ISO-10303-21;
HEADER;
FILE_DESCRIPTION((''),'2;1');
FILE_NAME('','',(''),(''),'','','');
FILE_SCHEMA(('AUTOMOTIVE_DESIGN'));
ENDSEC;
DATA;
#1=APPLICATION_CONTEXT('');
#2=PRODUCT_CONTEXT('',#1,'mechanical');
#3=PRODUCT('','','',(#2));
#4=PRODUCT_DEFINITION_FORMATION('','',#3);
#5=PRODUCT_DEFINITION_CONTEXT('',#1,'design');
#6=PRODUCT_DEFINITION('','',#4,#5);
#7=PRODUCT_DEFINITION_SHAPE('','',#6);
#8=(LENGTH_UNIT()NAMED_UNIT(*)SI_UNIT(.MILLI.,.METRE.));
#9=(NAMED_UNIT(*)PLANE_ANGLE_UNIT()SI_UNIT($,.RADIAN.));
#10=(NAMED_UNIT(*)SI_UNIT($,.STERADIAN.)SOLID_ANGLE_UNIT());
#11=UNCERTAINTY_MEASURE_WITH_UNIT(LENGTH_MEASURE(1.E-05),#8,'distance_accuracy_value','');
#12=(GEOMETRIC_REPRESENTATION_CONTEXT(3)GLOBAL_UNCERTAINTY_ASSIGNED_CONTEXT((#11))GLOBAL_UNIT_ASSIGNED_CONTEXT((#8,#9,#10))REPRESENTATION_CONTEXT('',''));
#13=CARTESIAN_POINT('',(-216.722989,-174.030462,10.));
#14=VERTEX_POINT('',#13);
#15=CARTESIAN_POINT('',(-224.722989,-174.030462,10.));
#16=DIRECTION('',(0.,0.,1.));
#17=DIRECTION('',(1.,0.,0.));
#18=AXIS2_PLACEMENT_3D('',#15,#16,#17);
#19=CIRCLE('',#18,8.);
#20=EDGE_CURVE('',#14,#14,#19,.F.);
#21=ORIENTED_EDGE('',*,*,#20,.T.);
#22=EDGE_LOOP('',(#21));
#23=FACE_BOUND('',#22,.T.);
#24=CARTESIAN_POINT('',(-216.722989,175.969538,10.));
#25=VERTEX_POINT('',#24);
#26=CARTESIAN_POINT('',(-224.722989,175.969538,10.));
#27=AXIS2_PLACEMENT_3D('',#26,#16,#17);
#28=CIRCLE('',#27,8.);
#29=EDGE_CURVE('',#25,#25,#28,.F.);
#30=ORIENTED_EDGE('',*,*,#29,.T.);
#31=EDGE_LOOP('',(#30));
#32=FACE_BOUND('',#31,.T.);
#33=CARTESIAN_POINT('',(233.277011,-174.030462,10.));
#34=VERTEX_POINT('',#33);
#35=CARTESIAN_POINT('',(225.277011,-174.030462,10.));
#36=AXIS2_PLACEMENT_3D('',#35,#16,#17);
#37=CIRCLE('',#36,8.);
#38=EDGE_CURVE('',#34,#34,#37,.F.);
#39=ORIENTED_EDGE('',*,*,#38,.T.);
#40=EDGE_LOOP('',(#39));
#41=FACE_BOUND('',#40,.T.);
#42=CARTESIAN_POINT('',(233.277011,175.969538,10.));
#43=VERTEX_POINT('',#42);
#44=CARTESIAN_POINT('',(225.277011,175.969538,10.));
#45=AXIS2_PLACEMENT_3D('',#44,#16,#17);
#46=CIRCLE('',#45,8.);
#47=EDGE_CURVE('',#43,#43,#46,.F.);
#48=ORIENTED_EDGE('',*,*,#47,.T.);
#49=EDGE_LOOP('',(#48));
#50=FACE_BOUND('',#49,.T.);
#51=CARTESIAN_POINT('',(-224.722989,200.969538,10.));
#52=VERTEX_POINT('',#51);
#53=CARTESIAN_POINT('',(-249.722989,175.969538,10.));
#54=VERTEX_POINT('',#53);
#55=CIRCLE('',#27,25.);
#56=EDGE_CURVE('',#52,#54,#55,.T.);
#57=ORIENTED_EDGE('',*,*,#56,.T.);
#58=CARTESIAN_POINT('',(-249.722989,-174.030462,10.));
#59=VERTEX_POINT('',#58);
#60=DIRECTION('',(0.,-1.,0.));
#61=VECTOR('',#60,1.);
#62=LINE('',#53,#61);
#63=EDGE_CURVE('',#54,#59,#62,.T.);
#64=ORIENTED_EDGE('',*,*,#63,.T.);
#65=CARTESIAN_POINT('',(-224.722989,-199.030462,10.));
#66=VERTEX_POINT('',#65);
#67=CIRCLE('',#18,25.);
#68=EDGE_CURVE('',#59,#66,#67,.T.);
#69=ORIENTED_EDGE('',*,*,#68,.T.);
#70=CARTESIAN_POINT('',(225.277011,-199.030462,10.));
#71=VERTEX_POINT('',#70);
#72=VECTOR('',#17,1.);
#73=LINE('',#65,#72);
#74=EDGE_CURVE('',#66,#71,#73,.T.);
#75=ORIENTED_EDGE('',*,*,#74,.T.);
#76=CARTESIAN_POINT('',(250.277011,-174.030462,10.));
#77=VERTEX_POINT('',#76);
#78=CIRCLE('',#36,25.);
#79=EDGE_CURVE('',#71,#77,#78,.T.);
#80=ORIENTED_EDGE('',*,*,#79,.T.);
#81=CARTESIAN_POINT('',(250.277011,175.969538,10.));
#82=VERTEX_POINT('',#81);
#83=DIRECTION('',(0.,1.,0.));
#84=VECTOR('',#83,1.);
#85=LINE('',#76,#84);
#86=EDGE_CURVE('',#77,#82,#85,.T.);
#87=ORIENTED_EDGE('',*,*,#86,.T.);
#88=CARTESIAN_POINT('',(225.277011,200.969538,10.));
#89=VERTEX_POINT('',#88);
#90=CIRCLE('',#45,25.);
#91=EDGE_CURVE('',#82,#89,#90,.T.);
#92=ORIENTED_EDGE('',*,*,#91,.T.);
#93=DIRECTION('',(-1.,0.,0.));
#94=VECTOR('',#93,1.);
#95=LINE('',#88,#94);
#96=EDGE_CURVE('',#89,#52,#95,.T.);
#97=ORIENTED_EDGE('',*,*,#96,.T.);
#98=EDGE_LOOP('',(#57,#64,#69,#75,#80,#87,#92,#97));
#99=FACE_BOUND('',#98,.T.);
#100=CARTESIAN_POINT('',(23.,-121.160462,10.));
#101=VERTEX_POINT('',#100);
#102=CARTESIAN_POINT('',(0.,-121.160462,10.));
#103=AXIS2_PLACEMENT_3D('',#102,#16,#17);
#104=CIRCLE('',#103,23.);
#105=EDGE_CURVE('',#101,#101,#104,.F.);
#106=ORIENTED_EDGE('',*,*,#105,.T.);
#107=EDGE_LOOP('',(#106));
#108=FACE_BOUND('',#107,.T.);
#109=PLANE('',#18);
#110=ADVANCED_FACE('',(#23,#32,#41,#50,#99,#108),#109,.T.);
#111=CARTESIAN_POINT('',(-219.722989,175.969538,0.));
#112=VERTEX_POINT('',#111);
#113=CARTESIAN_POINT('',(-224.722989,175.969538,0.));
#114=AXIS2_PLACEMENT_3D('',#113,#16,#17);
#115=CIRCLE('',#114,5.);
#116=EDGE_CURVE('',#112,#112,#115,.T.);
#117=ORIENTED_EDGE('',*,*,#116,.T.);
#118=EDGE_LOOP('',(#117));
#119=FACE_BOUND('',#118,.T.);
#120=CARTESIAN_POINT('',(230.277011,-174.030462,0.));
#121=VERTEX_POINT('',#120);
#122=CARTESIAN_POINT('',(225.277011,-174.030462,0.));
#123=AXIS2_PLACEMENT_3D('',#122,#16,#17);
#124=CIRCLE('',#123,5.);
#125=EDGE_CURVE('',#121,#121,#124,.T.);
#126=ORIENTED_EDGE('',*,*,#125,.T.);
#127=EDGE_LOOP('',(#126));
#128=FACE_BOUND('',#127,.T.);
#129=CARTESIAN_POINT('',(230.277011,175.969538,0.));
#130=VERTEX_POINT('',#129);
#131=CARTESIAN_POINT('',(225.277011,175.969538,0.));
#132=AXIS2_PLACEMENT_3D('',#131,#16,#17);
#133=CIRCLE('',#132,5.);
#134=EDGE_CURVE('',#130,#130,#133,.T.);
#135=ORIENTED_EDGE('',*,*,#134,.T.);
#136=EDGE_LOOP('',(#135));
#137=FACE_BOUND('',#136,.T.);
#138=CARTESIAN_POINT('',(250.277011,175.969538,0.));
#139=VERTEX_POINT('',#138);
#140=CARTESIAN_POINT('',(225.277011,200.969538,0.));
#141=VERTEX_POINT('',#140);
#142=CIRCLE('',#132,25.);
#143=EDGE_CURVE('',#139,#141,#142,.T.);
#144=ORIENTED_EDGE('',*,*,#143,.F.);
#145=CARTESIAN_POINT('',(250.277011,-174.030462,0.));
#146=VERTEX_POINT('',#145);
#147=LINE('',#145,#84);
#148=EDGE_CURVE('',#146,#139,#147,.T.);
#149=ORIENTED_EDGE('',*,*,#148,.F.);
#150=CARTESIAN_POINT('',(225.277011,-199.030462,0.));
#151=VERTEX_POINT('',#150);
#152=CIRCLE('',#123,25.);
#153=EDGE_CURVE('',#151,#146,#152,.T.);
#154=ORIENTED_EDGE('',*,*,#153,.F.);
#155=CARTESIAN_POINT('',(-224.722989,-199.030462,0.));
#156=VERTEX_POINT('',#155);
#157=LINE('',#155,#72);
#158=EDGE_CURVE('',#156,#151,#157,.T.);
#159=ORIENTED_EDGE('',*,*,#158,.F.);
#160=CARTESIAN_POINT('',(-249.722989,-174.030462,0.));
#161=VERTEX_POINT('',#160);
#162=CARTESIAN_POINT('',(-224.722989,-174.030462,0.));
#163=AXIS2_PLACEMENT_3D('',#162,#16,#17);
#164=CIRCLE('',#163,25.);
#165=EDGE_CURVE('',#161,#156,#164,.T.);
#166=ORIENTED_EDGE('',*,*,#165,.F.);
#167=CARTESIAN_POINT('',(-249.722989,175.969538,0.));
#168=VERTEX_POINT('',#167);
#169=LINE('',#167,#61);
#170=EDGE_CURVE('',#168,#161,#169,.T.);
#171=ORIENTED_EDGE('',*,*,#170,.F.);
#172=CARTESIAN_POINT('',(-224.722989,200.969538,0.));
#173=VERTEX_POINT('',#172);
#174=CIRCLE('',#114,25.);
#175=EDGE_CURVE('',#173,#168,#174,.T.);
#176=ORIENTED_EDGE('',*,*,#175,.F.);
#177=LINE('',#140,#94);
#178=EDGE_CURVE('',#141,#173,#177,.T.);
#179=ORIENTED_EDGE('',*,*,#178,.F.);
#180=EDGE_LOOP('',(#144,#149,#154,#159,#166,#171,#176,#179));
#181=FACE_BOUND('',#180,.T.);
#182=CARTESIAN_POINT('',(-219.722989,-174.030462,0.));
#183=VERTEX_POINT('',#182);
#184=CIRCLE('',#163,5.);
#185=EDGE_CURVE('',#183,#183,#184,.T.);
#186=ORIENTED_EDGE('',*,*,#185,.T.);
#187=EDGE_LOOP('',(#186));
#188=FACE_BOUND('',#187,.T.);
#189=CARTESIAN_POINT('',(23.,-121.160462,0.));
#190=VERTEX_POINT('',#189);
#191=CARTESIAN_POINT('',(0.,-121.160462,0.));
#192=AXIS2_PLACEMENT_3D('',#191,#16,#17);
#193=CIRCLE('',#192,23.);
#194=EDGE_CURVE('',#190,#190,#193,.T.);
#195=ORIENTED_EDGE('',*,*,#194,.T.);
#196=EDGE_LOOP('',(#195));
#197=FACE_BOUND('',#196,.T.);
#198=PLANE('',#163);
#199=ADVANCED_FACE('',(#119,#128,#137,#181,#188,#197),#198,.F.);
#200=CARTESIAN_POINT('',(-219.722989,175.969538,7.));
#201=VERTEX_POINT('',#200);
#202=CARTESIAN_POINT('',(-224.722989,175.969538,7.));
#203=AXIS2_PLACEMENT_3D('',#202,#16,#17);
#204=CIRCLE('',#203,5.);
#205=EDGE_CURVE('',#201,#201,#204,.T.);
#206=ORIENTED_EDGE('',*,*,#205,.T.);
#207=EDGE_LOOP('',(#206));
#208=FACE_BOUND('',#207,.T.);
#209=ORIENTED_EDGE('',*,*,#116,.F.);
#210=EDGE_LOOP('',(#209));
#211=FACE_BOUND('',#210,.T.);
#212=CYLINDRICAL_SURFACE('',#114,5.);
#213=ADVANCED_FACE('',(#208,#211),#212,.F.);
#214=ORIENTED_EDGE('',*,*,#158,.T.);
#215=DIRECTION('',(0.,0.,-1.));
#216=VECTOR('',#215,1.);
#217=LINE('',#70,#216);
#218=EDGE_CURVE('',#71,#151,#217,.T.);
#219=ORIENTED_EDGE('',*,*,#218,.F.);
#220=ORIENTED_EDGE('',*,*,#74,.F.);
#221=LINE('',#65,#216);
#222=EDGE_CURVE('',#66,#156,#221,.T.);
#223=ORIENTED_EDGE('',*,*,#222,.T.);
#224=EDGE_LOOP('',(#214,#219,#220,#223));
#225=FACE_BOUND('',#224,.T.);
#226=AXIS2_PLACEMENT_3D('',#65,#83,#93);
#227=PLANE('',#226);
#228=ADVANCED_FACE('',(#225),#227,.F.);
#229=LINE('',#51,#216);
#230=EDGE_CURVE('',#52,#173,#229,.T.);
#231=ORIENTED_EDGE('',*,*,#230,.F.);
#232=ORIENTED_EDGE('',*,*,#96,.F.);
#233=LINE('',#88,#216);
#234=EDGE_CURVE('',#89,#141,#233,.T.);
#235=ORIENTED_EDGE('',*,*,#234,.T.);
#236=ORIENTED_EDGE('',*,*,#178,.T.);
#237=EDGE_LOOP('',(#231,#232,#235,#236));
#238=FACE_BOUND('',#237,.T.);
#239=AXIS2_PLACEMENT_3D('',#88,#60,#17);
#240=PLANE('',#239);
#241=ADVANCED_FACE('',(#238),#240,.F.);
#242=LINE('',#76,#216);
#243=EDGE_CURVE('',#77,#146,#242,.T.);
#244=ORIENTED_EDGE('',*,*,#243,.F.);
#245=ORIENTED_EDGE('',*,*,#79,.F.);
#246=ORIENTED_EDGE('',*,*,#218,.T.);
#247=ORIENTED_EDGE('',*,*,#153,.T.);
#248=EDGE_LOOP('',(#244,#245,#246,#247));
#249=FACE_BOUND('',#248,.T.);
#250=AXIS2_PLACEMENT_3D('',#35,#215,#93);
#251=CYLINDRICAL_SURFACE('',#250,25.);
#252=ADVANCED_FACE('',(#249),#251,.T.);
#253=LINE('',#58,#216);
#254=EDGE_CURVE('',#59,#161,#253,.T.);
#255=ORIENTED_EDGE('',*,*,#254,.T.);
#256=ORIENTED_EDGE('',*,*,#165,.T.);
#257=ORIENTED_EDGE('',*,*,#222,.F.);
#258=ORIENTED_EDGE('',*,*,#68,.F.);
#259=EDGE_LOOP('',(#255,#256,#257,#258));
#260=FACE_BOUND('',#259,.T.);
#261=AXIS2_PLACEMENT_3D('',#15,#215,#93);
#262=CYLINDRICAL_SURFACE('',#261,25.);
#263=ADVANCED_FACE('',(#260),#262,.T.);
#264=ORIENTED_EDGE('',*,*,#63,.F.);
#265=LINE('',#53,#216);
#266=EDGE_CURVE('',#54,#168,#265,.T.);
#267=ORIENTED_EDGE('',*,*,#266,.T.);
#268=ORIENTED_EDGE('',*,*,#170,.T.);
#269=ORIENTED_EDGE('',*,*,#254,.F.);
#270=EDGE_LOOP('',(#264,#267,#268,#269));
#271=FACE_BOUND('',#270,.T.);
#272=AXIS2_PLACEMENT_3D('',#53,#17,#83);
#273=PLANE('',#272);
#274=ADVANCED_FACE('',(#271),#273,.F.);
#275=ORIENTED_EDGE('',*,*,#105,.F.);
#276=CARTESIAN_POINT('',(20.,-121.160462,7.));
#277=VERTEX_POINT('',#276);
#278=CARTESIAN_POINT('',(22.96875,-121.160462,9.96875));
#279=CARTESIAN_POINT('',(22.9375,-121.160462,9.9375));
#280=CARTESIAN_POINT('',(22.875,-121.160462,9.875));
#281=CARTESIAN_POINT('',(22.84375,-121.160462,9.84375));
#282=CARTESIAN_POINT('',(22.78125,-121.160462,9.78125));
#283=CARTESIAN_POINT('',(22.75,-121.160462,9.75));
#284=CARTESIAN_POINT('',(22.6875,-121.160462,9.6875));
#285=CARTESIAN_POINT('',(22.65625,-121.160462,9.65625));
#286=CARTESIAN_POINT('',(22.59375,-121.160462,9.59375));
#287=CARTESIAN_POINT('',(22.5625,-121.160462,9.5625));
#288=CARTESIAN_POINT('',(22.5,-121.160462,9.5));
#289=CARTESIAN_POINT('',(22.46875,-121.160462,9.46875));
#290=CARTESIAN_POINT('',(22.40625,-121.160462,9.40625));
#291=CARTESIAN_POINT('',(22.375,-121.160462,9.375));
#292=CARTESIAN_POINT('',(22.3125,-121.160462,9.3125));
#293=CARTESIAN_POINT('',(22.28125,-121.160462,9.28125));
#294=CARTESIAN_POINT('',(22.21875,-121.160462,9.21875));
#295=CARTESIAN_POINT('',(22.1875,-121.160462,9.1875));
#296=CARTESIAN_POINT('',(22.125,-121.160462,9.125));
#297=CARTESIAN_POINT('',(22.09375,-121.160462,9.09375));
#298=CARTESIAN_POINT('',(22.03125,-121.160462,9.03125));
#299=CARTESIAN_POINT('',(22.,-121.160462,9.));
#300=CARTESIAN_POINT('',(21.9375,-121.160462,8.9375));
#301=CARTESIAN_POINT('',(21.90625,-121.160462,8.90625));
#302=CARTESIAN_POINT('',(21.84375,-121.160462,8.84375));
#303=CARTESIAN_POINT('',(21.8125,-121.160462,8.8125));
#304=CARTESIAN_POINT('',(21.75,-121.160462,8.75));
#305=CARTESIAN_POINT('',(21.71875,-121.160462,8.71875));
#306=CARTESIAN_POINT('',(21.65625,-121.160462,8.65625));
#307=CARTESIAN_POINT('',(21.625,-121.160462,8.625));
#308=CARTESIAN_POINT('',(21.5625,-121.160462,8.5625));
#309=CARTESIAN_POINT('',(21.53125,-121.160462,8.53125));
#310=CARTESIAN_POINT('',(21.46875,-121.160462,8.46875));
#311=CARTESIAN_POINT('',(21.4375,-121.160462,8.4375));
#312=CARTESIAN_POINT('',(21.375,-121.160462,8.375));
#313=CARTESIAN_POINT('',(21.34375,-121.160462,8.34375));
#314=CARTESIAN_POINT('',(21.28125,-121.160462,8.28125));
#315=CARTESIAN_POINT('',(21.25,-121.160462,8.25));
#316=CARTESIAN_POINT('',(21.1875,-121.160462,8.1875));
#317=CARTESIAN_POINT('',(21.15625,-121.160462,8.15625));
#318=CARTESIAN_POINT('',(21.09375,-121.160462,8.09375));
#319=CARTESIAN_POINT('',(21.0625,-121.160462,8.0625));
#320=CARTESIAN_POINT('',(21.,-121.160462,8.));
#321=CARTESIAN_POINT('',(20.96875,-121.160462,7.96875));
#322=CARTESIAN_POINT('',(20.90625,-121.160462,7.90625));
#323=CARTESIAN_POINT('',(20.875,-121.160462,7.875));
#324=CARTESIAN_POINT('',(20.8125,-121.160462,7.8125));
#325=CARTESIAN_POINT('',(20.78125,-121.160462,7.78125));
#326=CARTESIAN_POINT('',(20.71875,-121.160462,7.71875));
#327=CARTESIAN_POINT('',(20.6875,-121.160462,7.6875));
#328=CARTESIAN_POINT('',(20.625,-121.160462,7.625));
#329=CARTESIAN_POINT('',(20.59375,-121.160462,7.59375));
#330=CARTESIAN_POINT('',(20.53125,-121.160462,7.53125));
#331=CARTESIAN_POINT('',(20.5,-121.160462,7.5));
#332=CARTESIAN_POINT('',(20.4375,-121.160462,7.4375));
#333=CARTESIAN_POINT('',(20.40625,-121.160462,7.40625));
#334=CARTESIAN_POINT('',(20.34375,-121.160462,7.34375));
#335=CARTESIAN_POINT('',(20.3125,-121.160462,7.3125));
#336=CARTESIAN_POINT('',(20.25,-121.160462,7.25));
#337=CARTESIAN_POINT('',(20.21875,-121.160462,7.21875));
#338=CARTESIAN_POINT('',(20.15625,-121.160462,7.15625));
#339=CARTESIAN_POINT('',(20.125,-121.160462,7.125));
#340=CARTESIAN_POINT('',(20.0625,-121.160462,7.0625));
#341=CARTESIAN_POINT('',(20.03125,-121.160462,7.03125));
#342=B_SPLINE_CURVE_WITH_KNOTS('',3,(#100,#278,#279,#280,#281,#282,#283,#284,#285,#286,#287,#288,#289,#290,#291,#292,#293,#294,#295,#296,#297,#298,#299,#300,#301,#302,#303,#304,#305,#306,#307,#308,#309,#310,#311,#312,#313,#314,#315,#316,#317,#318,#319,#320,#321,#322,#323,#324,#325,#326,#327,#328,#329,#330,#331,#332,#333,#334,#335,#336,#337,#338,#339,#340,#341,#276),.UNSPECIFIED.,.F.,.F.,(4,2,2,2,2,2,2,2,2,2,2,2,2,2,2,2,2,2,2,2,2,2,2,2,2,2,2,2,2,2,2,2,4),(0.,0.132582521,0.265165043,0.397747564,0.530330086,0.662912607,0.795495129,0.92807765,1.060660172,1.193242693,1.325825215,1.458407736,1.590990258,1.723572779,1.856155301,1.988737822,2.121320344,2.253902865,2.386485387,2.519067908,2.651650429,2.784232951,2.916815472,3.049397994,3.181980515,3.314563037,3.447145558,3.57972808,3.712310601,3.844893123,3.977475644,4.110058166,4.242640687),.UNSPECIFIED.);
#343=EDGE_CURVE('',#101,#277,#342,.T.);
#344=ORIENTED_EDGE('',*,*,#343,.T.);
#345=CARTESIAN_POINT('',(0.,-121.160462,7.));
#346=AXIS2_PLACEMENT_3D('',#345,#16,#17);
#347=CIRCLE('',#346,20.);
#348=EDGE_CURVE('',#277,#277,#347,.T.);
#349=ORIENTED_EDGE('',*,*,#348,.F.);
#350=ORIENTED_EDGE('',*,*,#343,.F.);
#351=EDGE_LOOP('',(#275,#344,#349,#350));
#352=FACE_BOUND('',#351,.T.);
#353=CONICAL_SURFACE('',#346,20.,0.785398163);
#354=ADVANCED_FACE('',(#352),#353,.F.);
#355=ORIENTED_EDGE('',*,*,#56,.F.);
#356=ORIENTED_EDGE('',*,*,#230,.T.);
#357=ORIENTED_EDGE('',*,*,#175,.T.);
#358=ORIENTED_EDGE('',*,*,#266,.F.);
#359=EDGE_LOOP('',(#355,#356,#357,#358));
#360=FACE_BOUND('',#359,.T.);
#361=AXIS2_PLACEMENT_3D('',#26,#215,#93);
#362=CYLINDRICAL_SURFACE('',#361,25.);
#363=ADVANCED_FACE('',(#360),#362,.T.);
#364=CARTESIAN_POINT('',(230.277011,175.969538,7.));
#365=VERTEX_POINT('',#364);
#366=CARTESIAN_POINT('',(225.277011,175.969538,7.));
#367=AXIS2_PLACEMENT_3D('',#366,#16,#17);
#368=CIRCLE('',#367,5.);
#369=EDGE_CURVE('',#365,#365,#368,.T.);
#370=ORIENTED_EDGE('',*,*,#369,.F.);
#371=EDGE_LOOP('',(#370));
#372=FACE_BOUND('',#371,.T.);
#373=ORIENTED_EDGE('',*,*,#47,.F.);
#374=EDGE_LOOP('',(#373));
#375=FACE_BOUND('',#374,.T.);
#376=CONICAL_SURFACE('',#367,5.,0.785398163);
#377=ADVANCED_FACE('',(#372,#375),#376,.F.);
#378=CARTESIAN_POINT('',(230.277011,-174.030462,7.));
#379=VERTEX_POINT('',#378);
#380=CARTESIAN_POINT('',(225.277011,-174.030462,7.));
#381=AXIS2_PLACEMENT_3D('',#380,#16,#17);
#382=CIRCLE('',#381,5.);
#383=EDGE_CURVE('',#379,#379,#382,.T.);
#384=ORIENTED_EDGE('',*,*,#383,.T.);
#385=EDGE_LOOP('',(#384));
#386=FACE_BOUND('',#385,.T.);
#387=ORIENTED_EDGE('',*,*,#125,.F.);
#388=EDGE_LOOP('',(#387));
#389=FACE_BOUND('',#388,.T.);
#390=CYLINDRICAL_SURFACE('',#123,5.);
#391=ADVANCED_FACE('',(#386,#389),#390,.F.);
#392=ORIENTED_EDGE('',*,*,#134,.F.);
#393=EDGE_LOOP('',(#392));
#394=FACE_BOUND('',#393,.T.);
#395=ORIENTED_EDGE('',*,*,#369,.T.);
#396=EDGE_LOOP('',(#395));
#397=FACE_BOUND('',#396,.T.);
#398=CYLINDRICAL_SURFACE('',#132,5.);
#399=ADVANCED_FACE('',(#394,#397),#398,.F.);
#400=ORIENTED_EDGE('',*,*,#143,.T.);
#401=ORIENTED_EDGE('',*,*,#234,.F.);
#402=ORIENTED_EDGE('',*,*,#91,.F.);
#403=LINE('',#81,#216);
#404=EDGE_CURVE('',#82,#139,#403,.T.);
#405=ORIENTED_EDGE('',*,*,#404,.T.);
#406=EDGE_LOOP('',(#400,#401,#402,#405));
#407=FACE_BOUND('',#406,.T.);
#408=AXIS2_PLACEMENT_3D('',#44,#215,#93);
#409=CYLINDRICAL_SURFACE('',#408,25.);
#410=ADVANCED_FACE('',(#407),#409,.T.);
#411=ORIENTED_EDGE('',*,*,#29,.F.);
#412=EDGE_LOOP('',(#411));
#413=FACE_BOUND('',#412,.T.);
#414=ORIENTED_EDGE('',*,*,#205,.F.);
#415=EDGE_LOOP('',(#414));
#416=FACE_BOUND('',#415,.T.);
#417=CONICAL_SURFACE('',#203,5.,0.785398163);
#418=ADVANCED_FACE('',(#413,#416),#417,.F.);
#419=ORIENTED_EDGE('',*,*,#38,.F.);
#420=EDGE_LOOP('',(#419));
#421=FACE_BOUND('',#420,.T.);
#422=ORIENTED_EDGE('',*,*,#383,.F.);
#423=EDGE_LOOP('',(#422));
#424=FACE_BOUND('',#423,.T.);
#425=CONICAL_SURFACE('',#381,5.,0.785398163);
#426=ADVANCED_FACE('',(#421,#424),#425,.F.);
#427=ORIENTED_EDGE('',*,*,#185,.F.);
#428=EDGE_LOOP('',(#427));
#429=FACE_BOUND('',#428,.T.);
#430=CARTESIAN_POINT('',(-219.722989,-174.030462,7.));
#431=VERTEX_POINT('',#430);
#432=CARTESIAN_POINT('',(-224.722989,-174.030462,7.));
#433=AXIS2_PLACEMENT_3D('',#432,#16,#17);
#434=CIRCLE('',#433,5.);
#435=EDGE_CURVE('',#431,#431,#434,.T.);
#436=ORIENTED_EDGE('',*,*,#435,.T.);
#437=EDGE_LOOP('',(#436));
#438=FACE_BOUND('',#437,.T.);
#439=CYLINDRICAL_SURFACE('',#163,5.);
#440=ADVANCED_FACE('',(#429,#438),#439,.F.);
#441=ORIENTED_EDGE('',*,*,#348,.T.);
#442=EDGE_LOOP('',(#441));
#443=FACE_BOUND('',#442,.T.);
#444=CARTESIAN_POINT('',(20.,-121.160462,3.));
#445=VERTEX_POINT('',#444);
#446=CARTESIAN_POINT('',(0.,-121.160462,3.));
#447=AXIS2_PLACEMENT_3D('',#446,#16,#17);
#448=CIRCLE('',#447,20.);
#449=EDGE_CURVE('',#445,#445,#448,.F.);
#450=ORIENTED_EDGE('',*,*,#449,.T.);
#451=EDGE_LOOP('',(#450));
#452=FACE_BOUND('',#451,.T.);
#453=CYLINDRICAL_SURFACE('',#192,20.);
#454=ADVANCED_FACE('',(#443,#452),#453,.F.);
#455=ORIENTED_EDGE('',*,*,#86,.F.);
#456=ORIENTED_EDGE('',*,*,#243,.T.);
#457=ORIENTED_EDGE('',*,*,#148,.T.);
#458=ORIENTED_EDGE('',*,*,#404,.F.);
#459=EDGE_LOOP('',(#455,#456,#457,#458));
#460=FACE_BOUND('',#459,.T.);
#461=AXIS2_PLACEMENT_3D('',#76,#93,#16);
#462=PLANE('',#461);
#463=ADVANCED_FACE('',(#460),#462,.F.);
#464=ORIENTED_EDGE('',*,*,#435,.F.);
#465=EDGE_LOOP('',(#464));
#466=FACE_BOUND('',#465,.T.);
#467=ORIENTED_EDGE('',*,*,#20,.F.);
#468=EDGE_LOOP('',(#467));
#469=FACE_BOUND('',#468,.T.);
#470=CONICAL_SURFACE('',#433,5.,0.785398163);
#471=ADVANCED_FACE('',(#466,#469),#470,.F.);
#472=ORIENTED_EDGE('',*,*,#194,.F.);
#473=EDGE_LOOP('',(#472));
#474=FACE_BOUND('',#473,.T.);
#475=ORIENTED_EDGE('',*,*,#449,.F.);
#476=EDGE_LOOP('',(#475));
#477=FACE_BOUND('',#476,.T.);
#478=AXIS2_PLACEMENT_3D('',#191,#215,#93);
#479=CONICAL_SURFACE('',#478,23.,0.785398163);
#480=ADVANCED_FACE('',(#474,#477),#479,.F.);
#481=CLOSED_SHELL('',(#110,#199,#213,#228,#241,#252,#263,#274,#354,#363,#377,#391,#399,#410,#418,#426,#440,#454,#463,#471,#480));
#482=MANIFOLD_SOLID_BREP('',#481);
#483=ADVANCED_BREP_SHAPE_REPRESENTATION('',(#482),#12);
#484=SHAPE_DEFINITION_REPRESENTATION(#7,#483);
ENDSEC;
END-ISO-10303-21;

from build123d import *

# Parameters (mm, degrees)
BOSS_EXTRU_1_DEPTH      = 10
ESQUISSE3_R             = 5
ENL_V_MAT_EXTRU_1_DEPTH = 10
CHANFREIN1_SIZE         = 3
ESQUISSE4_R             = 20
ENL_V_MAT_EXTRU_2_DEPTH = 10
CHANFREIN2_SIZE         = 3


with BuildPart() as part:
    # Esquisse1 → Boss.-Extru.1 (new body)
    with BuildSketch(Plane.XY):
        with BuildLine():
            Line((-224.722989012, -199.030461543), (225.277010988, -199.030461543))
            ThreePointArc((225.277010988, -199.030461543), (242.954680517, -191.708131073), (250.277010988, -174.030461543))
            Line((250.277010988, -174.030461543), (250.277010988, 175.969538457))
            ThreePointArc((250.277010988, 175.969538457), (242.954680517, 193.647207986), (225.277010988, 200.969538457))
            Line((225.277010988, 200.969538457), (-224.722989012, 200.969538457))
            ThreePointArc((-224.722989012, 200.969538457), (-242.400658542, 193.647207986), (-249.722989012, 175.969538457))
            Line((-249.722989012, 175.969538457), (-249.722989012, -174.030461543))
            ThreePointArc((-249.722989012, -174.030461543), (-242.400658542, -191.708131073), (-224.722989012, -199.030461543))
        make_face()
    extrude(amount=BOSS_EXTRU_1_DEPTH)

    # Esquisse3 → Enlèv. mat.-Extru.1 (cut)
    with BuildSketch(Plane.XY.offset(10)):
        with Locations((-224.722989012, -174.030461543)):
            Circle(ESQUISSE3_R)
        with Locations((225.277010988, -174.030461543)):
            Circle(ESQUISSE3_R)
        with Locations((225.277010988, 175.969538457)):
            Circle(ESQUISSE3_R)
        with Locations((-224.722989012, 175.969538457)):
            Circle(ESQUISSE3_R)
    extrude(amount=-ENL_V_MAT_EXTRU_1_DEPTH, mode=Mode.SUBTRACT)

    # Chanfrein1
    chanfrein1_edges = [part.edges().sort_by_distance(p)[0] for p in [
        (-229.722989012, 175.969538457, 10),
        (220.277010988, 175.969538457, 10),
        (220.277010988, -174.030461543, 10),
        (-229.722989012, -174.030461543, 10),
    ]]
    chamfer(chanfrein1_edges, length=CHANFREIN1_SIZE)

    # Esquisse4 → Enlèv. mat.-Extru.2 (cut)
    with BuildSketch(Plane.XY.offset(10)):
        with Locations((0, -121.160461543)):
            Circle(ESQUISSE4_R)
    extrude(amount=-ENL_V_MAT_EXTRU_2_DEPTH, mode=Mode.SUBTRACT)

    # Chanfrein2
    chanfrein2_edges = [part.edges().sort_by_distance(p)[0] for p in [
        (-20, -121.160461543, 0),
        (-20, -121.160461543, 10),
    ]]
    chamfer(chanfrein2_edges, length=CHANFREIN2_SIZE)


solid = part.part
